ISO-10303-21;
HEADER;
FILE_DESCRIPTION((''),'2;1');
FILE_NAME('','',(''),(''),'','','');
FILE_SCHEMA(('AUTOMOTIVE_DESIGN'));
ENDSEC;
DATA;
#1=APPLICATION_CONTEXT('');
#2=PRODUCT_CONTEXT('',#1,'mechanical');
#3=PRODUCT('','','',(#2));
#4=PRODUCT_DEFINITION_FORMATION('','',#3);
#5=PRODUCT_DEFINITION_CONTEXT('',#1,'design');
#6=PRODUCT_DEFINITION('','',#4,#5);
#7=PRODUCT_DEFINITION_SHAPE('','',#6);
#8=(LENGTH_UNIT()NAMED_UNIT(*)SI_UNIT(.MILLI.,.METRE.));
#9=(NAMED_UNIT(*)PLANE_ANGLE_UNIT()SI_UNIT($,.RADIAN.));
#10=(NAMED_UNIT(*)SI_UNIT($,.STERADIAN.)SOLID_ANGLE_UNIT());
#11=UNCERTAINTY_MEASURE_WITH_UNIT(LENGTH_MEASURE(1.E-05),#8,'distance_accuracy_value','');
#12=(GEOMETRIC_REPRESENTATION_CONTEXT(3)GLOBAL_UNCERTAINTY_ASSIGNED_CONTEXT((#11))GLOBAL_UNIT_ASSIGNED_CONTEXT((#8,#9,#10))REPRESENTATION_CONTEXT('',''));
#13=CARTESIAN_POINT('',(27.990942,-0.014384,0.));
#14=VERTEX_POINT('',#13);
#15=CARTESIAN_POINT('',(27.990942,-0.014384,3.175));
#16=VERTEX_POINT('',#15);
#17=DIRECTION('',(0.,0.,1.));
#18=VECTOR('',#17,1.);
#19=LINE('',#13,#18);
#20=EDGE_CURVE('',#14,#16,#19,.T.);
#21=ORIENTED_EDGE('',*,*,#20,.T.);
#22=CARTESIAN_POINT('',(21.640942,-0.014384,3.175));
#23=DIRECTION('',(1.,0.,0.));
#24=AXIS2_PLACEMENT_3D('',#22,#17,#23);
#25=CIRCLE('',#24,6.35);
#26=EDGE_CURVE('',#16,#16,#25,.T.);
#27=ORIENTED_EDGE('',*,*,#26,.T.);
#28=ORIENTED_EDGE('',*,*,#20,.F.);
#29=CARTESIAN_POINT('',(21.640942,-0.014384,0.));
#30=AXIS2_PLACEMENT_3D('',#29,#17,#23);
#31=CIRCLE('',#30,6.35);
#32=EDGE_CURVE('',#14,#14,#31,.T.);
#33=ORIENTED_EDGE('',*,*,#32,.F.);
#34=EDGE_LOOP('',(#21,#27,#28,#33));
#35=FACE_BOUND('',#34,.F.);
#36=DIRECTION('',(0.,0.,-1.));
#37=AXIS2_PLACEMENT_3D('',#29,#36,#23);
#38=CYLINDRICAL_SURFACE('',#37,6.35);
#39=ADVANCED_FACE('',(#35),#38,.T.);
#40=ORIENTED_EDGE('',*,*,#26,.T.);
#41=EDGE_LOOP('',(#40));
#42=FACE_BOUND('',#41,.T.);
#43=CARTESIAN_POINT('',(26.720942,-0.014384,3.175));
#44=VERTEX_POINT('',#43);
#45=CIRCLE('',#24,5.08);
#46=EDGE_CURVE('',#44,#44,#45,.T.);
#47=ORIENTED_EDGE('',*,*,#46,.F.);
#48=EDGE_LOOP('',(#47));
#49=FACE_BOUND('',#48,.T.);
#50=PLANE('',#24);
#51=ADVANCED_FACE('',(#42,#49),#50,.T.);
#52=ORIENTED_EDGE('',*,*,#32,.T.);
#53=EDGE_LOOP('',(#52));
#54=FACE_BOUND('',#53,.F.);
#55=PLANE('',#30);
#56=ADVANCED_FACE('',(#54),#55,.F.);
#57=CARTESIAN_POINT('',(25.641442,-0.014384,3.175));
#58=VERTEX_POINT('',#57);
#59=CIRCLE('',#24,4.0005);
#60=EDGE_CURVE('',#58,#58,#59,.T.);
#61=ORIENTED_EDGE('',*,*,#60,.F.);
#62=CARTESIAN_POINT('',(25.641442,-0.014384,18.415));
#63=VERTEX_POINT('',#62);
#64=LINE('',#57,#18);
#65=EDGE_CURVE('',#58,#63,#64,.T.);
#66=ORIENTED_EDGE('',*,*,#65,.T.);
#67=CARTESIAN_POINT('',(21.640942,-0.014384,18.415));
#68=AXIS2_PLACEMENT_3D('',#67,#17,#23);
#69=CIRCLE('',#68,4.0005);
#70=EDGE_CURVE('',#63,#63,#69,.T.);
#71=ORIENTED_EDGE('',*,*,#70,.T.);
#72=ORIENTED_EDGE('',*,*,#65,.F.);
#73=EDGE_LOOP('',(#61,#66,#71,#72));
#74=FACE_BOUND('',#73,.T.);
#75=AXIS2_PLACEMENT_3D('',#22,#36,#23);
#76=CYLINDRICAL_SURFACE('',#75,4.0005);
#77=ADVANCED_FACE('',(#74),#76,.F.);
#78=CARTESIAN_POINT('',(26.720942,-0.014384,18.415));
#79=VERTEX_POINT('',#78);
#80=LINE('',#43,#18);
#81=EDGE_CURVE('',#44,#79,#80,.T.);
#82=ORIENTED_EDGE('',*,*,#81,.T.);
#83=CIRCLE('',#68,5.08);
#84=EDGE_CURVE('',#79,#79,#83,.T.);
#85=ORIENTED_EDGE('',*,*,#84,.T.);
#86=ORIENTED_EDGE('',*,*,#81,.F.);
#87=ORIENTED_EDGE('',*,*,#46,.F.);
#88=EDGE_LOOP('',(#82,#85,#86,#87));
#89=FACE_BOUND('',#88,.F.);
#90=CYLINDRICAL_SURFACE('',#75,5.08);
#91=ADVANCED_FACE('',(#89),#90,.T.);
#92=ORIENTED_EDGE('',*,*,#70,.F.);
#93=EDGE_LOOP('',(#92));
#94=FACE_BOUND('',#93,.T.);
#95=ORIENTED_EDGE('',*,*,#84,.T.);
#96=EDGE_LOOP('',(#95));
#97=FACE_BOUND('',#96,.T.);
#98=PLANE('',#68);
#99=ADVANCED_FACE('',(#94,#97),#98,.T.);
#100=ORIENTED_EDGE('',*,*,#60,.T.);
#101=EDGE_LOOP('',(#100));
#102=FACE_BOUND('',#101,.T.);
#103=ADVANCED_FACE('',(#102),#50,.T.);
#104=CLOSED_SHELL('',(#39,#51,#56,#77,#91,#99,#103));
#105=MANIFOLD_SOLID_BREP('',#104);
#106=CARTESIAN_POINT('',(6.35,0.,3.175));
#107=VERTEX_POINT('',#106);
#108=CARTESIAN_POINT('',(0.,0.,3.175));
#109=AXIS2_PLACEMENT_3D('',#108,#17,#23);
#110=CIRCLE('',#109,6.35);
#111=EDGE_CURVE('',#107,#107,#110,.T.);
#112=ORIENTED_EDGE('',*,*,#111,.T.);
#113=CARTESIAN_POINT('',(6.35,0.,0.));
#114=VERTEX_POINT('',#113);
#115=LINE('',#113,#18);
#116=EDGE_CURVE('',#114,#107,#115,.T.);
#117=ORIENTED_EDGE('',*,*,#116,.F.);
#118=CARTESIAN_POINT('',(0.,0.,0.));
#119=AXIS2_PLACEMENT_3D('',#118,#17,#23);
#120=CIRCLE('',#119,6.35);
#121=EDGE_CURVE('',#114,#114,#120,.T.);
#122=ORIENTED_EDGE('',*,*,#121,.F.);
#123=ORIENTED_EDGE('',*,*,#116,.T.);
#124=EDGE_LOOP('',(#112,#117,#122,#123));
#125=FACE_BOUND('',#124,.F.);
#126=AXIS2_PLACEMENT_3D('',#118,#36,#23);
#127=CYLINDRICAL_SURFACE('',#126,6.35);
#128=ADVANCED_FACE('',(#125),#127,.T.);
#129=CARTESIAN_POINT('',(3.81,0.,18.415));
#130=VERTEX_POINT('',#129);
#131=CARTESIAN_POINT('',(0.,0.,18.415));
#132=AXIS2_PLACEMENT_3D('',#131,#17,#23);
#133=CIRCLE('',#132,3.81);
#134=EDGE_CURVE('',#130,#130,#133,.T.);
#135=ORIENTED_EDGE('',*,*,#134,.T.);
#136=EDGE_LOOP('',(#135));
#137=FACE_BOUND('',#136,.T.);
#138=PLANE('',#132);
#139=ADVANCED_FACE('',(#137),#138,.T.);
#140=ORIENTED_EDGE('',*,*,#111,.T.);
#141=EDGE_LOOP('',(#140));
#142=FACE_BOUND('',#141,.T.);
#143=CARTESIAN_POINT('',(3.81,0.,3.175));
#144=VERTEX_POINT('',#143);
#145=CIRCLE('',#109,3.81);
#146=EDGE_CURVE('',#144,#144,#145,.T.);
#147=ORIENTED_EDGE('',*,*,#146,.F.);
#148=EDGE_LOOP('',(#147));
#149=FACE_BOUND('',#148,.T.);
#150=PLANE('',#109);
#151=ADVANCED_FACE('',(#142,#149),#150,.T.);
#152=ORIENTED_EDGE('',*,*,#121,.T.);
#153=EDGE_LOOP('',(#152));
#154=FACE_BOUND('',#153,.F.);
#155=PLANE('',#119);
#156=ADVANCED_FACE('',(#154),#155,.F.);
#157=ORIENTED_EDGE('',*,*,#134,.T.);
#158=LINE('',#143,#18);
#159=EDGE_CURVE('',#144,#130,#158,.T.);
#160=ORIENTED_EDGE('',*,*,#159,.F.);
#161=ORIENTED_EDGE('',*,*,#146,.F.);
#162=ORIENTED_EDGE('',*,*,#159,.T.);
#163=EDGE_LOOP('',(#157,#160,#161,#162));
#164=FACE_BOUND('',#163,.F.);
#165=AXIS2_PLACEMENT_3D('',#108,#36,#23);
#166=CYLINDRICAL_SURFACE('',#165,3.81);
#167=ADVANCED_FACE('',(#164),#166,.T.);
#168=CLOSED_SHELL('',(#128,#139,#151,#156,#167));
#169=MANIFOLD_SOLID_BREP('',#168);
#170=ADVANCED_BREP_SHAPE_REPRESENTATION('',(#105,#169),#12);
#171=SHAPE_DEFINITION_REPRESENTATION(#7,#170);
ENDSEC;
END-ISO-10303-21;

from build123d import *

# Parameters (mm, degrees)
F0_R     = 6.35
F1_DEPTH = 3.175
F2_R     = 3.81
F3_DEPTH = 15.24
F4_R     = 6.35
F5_DEPTH = 3.175
F6_R     = 5.08
F6_R_2   = 4.0005
F7_DEPTH = 15.24


with BuildPart() as f1:
    # F0 (on Top) → F1 (new body)
    with BuildSketch(Plane.XY):
        Circle(F0_R)
    extrude(amount=F1_DEPTH)

    # F2 (on face) → F3 (join)
    with BuildSketch(Plane.XY.offset(3.175)):
        Circle(F2_R)
    extrude(amount=F3_DEPTH)


with BuildPart() as f5:
    # F4 (on Top) → F5 (new body)
    with BuildSketch(Plane.XY):
        with Locations((21.640942, -0.014384)):
            Circle(F4_R)
    extrude(amount=F5_DEPTH)

    # F6 (on face) → F7 (join)
    with BuildSketch(Plane.XY.offset(3.175)):
        with Locations((21.640942, -0.014384)):
            Circle(F6_R)
        with Locations((21.640942, -0.014384)):
            Circle(F6_R_2, mode=Mode.SUBTRACT)
    extrude(amount=F7_DEPTH)


solid = Compound([f1.part, f5.part])
